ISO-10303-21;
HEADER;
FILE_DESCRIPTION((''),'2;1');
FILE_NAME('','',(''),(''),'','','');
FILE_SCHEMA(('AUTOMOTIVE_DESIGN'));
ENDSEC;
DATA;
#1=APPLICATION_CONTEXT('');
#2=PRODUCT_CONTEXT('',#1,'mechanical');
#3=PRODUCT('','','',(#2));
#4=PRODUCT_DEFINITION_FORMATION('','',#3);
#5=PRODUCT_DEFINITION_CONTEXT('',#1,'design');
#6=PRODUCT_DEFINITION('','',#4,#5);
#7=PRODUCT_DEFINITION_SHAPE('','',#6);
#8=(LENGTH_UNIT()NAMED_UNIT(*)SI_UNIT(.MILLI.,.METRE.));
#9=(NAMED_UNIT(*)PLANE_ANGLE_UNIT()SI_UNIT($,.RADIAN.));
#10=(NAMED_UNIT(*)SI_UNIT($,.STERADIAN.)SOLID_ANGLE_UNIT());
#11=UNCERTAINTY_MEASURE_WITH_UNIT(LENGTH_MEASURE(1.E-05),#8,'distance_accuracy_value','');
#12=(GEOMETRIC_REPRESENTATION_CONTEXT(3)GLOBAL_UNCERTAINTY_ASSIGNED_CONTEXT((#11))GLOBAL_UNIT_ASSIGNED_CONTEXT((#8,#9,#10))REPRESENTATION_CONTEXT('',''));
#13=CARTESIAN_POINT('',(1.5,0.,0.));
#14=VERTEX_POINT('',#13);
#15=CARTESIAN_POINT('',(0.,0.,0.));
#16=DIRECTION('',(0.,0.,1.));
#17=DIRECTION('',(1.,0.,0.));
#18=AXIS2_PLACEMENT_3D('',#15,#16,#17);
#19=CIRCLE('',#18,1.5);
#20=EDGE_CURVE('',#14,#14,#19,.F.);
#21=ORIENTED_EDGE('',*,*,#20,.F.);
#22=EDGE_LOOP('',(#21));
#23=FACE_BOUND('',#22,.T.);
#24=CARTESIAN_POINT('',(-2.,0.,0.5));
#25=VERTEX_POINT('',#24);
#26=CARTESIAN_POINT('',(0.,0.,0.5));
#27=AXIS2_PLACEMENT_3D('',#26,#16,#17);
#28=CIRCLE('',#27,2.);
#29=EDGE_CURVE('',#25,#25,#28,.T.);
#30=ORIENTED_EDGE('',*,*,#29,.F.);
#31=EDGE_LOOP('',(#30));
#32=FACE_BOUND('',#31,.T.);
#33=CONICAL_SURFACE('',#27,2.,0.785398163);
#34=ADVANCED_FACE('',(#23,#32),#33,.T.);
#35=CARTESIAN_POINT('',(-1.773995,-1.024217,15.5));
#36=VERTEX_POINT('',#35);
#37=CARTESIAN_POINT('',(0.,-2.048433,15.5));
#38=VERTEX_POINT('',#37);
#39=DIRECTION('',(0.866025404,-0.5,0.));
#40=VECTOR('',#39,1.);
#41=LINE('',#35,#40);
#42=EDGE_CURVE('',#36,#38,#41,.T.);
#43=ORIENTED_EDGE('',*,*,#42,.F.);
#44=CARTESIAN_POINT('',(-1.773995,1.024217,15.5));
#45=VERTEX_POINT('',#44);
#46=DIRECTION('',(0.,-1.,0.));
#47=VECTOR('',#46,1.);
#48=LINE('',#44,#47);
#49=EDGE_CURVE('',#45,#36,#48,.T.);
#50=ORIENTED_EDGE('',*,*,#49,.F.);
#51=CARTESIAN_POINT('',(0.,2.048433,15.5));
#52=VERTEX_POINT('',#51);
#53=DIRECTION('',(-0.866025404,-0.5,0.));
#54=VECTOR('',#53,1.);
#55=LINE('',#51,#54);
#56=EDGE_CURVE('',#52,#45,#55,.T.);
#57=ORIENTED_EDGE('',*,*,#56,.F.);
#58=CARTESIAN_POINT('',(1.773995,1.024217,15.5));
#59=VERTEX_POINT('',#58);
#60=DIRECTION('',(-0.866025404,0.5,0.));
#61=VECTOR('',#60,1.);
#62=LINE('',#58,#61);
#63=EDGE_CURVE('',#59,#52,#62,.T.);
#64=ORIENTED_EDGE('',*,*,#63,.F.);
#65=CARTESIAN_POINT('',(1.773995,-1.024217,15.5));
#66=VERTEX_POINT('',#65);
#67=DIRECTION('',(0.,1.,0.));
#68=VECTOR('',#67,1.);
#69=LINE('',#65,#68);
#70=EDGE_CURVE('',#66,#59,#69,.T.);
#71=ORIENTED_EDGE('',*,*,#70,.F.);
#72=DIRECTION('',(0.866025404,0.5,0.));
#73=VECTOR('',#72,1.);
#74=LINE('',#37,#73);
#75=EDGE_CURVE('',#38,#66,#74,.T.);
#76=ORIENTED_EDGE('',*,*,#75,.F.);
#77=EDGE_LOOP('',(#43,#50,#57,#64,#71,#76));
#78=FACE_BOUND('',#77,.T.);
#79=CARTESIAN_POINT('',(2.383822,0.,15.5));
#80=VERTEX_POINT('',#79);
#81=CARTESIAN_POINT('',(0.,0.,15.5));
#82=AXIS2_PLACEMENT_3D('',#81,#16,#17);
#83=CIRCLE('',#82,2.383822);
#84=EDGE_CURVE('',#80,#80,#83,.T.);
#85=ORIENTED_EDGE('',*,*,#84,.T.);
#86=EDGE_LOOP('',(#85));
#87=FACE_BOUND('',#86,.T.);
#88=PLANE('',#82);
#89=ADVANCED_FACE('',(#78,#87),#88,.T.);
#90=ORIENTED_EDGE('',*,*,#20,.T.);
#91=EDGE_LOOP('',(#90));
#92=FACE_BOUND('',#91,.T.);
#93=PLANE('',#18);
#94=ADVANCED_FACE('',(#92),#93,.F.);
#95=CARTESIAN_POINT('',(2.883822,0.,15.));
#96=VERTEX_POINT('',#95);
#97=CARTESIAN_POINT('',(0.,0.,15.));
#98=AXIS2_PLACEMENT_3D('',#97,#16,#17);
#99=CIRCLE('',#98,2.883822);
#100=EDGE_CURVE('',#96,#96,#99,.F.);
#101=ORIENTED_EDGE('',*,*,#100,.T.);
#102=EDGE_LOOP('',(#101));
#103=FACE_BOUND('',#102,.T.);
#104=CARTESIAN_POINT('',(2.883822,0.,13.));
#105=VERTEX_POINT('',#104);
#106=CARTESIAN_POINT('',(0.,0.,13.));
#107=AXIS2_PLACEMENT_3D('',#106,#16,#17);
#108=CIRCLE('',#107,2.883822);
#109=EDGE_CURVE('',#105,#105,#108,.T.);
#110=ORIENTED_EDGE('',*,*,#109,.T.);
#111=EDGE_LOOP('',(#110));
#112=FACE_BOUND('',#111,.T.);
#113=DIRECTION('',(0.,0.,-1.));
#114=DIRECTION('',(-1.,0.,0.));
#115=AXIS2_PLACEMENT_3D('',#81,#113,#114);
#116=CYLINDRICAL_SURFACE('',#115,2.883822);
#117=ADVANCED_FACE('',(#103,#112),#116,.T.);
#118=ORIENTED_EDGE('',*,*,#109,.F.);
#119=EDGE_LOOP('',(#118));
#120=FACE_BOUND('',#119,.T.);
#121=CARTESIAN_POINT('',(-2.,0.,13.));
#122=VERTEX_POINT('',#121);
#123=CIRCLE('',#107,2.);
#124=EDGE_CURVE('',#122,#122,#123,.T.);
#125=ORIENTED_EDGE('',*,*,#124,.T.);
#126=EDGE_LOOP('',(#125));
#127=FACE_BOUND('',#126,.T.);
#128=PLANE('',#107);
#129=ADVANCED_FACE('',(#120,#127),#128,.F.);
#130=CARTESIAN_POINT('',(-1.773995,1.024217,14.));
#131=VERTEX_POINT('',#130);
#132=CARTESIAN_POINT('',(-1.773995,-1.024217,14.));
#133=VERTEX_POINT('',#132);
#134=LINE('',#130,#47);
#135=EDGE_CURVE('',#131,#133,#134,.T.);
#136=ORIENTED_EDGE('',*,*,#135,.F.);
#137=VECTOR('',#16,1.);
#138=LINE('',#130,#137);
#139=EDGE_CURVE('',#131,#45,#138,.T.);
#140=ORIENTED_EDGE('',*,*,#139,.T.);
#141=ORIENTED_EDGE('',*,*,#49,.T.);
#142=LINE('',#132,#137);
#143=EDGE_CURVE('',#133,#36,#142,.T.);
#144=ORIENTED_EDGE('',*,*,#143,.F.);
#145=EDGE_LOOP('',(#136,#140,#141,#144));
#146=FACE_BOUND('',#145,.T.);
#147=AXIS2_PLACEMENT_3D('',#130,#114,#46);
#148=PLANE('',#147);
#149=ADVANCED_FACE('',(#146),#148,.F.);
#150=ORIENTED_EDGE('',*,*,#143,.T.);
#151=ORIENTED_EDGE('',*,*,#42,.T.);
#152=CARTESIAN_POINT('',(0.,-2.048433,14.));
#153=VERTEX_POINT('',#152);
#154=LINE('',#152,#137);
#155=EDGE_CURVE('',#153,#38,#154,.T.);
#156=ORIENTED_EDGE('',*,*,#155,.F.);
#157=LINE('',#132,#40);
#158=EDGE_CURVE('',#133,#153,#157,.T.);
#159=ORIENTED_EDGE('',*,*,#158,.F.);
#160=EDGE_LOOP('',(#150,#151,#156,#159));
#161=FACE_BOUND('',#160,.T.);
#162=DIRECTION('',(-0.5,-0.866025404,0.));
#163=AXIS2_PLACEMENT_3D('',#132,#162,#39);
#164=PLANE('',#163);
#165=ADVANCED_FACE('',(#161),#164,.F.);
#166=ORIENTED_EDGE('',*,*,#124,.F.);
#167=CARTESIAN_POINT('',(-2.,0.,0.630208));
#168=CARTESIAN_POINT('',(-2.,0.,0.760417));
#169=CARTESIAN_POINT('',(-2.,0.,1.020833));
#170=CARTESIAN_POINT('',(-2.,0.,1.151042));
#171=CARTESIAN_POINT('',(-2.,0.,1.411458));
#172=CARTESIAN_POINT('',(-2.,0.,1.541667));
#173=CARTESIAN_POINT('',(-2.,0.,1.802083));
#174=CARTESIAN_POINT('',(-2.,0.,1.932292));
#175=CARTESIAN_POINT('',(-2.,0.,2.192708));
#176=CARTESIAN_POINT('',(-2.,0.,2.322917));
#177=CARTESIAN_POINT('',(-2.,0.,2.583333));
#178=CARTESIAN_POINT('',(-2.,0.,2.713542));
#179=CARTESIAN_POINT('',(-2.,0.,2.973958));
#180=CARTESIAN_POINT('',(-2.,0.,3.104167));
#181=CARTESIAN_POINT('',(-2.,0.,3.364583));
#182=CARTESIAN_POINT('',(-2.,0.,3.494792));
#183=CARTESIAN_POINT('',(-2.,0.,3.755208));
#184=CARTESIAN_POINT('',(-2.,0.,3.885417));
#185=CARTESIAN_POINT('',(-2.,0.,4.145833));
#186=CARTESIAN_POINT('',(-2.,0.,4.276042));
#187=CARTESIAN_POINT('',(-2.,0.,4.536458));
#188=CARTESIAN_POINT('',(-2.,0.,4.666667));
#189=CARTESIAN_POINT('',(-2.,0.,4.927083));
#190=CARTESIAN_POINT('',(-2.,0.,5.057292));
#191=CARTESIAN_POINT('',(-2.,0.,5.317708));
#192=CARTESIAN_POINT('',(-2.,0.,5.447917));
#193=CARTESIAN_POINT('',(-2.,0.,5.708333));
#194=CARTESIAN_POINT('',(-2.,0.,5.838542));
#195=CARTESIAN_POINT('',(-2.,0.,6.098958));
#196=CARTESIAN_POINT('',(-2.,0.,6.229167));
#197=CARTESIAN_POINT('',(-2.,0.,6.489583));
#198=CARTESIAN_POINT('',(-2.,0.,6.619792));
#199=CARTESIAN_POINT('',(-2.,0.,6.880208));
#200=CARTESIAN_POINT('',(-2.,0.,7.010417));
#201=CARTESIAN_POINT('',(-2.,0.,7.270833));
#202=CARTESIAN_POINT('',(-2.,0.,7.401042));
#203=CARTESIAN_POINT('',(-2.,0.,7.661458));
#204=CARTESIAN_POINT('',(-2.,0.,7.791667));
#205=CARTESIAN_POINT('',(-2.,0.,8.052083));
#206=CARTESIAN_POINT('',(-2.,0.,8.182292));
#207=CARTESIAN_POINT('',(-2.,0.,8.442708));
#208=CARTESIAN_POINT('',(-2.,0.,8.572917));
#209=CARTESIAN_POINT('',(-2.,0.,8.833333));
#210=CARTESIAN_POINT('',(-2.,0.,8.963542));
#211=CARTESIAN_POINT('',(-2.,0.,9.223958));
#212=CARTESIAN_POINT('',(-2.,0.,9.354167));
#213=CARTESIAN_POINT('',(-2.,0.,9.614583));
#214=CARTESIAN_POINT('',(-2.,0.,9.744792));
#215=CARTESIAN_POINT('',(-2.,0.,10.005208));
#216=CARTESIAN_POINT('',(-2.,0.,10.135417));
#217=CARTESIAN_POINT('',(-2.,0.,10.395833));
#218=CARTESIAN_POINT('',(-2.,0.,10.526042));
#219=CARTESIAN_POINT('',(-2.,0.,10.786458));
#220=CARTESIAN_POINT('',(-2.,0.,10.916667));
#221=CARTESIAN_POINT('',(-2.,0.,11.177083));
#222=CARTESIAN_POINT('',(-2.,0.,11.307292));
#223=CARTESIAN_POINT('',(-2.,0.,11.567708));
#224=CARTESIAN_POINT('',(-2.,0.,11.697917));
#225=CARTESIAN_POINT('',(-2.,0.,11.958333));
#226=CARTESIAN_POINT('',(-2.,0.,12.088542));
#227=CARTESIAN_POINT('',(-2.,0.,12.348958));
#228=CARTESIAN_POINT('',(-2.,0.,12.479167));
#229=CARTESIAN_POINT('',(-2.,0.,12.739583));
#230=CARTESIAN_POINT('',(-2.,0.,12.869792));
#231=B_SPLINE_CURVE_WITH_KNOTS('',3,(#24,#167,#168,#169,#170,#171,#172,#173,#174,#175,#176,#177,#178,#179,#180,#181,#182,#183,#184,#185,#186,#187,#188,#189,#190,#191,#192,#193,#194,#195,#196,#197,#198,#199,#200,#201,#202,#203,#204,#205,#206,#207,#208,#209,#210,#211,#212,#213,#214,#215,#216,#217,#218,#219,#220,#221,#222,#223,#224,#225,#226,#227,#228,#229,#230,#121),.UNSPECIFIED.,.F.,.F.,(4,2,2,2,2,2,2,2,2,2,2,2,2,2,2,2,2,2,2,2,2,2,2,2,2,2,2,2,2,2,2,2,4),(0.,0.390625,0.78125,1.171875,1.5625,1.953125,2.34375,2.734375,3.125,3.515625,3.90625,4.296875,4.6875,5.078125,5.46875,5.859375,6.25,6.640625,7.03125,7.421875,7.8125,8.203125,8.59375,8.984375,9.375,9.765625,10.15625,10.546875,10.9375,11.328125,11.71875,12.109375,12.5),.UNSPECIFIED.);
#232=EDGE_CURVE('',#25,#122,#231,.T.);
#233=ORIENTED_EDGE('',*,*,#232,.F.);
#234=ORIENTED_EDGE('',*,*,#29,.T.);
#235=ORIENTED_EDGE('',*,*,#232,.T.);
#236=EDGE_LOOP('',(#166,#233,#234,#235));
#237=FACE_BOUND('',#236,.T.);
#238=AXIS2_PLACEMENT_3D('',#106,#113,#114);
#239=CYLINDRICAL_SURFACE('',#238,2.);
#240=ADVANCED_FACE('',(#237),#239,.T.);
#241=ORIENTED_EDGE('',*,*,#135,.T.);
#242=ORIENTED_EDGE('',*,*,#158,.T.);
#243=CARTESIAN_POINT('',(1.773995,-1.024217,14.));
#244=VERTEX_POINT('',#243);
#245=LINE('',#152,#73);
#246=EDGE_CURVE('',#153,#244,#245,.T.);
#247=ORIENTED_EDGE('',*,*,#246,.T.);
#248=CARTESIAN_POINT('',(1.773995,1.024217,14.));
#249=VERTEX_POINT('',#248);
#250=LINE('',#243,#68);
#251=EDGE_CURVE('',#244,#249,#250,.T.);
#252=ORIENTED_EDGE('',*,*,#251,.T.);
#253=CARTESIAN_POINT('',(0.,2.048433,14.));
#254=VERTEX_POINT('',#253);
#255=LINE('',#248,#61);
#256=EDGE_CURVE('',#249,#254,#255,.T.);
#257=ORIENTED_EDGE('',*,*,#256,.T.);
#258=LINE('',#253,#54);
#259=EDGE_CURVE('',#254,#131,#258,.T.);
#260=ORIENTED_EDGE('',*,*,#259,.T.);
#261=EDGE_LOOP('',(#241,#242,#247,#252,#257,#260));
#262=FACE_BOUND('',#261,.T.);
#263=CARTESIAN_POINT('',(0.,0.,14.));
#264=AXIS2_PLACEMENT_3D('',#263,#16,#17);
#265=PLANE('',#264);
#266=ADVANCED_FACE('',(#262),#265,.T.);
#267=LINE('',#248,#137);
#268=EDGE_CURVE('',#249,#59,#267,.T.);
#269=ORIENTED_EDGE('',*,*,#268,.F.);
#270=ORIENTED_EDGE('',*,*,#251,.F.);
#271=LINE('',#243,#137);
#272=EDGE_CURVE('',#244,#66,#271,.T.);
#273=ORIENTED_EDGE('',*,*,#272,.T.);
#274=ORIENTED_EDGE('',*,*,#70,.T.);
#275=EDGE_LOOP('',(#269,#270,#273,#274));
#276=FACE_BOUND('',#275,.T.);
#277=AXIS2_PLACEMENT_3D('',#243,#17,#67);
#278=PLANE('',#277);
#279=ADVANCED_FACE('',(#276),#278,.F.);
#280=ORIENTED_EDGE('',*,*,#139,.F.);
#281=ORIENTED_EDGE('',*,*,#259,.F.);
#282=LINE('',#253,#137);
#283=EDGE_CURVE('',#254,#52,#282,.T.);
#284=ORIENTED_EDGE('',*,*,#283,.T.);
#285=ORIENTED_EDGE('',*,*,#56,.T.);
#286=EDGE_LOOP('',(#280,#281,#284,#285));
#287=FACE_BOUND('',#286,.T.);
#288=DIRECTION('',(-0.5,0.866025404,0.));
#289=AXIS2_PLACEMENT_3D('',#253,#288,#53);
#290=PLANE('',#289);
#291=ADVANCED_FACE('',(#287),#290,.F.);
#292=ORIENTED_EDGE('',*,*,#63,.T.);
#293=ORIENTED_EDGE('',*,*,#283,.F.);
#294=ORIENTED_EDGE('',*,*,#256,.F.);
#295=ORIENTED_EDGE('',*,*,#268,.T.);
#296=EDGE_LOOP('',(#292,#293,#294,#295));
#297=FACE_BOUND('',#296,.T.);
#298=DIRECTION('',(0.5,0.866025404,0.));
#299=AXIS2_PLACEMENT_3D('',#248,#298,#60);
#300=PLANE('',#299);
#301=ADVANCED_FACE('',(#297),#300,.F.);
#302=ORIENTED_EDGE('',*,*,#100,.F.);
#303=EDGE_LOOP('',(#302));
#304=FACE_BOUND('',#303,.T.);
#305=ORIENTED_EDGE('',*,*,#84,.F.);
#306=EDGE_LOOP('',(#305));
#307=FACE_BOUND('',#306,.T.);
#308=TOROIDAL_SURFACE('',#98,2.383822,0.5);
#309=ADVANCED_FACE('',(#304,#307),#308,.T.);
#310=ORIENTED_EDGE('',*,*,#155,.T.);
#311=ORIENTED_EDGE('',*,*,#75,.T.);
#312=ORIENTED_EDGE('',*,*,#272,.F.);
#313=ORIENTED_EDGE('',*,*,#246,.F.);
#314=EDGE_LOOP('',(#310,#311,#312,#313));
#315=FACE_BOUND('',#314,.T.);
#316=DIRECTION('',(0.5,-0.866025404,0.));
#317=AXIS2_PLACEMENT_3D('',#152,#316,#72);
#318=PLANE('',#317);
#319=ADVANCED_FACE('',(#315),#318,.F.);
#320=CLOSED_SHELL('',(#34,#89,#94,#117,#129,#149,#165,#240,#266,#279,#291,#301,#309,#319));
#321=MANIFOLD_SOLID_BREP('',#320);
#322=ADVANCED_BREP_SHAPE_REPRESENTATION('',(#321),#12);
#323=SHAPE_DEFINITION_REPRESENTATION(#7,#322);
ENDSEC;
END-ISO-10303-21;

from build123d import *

# Parameters (mm, degrees)
SKETCH_1_R          = 2
EXTRUDE_1_DEPTH     = 13
SKETCH_2_R          = 2.883822271
EXTRUDE_2_DEPTH     = 2.5
CUT_EXTRUDE_1_DEPTH = 1.5
CHAMFER_1_SIZE      = 0.5
FILLET_1_R          = 0.5


with BuildPart() as part:
    # 草图1 → 凸台-拉伸1 (new body)
    with BuildSketch(Plane.XY):
        with Locations(Location((0, 0, 0), (0, 0, 180))):
            Circle(SKETCH_1_R)
    extrude(amount=EXTRUDE_1_DEPTH)

    # 草图2 → 凸台-拉伸2 (add)
    with BuildSketch(Plane.XY.offset(13)):
        Circle(SKETCH_2_R)
    extrude(amount=EXTRUDE_2_DEPTH)

    # 草图3 → 切除-拉伸1 (cut)
    with BuildSketch(Plane.XY.offset(15.5)):
        Polygon((0, 2.048433274), (-1.773995253, 1.024216637), (-1.773995253, -1.024216637), (0, -2.048433274), (1.773995253, -1.024216637), (1.773995253, 1.024216637), align=None)
    extrude(amount=-CUT_EXTRUDE_1_DEPTH, mode=Mode.SUBTRACT)

    # 倒角1
    chamfer_1_edges = [part.edges().sort_by_distance(p)[0] for p in [
        (2, 0, 0),
    ]]
    chamfer(chamfer_1_edges, length=CHAMFER_1_SIZE)

    # 圆角1
    fillet_1_edges = [part.edges().sort_by_distance(p)[0] for p in [
        (-2.883822271, 0, 15.5),
    ]]
    fillet(fillet_1_edges, radius=FILLET_1_R)


solid = part.part
